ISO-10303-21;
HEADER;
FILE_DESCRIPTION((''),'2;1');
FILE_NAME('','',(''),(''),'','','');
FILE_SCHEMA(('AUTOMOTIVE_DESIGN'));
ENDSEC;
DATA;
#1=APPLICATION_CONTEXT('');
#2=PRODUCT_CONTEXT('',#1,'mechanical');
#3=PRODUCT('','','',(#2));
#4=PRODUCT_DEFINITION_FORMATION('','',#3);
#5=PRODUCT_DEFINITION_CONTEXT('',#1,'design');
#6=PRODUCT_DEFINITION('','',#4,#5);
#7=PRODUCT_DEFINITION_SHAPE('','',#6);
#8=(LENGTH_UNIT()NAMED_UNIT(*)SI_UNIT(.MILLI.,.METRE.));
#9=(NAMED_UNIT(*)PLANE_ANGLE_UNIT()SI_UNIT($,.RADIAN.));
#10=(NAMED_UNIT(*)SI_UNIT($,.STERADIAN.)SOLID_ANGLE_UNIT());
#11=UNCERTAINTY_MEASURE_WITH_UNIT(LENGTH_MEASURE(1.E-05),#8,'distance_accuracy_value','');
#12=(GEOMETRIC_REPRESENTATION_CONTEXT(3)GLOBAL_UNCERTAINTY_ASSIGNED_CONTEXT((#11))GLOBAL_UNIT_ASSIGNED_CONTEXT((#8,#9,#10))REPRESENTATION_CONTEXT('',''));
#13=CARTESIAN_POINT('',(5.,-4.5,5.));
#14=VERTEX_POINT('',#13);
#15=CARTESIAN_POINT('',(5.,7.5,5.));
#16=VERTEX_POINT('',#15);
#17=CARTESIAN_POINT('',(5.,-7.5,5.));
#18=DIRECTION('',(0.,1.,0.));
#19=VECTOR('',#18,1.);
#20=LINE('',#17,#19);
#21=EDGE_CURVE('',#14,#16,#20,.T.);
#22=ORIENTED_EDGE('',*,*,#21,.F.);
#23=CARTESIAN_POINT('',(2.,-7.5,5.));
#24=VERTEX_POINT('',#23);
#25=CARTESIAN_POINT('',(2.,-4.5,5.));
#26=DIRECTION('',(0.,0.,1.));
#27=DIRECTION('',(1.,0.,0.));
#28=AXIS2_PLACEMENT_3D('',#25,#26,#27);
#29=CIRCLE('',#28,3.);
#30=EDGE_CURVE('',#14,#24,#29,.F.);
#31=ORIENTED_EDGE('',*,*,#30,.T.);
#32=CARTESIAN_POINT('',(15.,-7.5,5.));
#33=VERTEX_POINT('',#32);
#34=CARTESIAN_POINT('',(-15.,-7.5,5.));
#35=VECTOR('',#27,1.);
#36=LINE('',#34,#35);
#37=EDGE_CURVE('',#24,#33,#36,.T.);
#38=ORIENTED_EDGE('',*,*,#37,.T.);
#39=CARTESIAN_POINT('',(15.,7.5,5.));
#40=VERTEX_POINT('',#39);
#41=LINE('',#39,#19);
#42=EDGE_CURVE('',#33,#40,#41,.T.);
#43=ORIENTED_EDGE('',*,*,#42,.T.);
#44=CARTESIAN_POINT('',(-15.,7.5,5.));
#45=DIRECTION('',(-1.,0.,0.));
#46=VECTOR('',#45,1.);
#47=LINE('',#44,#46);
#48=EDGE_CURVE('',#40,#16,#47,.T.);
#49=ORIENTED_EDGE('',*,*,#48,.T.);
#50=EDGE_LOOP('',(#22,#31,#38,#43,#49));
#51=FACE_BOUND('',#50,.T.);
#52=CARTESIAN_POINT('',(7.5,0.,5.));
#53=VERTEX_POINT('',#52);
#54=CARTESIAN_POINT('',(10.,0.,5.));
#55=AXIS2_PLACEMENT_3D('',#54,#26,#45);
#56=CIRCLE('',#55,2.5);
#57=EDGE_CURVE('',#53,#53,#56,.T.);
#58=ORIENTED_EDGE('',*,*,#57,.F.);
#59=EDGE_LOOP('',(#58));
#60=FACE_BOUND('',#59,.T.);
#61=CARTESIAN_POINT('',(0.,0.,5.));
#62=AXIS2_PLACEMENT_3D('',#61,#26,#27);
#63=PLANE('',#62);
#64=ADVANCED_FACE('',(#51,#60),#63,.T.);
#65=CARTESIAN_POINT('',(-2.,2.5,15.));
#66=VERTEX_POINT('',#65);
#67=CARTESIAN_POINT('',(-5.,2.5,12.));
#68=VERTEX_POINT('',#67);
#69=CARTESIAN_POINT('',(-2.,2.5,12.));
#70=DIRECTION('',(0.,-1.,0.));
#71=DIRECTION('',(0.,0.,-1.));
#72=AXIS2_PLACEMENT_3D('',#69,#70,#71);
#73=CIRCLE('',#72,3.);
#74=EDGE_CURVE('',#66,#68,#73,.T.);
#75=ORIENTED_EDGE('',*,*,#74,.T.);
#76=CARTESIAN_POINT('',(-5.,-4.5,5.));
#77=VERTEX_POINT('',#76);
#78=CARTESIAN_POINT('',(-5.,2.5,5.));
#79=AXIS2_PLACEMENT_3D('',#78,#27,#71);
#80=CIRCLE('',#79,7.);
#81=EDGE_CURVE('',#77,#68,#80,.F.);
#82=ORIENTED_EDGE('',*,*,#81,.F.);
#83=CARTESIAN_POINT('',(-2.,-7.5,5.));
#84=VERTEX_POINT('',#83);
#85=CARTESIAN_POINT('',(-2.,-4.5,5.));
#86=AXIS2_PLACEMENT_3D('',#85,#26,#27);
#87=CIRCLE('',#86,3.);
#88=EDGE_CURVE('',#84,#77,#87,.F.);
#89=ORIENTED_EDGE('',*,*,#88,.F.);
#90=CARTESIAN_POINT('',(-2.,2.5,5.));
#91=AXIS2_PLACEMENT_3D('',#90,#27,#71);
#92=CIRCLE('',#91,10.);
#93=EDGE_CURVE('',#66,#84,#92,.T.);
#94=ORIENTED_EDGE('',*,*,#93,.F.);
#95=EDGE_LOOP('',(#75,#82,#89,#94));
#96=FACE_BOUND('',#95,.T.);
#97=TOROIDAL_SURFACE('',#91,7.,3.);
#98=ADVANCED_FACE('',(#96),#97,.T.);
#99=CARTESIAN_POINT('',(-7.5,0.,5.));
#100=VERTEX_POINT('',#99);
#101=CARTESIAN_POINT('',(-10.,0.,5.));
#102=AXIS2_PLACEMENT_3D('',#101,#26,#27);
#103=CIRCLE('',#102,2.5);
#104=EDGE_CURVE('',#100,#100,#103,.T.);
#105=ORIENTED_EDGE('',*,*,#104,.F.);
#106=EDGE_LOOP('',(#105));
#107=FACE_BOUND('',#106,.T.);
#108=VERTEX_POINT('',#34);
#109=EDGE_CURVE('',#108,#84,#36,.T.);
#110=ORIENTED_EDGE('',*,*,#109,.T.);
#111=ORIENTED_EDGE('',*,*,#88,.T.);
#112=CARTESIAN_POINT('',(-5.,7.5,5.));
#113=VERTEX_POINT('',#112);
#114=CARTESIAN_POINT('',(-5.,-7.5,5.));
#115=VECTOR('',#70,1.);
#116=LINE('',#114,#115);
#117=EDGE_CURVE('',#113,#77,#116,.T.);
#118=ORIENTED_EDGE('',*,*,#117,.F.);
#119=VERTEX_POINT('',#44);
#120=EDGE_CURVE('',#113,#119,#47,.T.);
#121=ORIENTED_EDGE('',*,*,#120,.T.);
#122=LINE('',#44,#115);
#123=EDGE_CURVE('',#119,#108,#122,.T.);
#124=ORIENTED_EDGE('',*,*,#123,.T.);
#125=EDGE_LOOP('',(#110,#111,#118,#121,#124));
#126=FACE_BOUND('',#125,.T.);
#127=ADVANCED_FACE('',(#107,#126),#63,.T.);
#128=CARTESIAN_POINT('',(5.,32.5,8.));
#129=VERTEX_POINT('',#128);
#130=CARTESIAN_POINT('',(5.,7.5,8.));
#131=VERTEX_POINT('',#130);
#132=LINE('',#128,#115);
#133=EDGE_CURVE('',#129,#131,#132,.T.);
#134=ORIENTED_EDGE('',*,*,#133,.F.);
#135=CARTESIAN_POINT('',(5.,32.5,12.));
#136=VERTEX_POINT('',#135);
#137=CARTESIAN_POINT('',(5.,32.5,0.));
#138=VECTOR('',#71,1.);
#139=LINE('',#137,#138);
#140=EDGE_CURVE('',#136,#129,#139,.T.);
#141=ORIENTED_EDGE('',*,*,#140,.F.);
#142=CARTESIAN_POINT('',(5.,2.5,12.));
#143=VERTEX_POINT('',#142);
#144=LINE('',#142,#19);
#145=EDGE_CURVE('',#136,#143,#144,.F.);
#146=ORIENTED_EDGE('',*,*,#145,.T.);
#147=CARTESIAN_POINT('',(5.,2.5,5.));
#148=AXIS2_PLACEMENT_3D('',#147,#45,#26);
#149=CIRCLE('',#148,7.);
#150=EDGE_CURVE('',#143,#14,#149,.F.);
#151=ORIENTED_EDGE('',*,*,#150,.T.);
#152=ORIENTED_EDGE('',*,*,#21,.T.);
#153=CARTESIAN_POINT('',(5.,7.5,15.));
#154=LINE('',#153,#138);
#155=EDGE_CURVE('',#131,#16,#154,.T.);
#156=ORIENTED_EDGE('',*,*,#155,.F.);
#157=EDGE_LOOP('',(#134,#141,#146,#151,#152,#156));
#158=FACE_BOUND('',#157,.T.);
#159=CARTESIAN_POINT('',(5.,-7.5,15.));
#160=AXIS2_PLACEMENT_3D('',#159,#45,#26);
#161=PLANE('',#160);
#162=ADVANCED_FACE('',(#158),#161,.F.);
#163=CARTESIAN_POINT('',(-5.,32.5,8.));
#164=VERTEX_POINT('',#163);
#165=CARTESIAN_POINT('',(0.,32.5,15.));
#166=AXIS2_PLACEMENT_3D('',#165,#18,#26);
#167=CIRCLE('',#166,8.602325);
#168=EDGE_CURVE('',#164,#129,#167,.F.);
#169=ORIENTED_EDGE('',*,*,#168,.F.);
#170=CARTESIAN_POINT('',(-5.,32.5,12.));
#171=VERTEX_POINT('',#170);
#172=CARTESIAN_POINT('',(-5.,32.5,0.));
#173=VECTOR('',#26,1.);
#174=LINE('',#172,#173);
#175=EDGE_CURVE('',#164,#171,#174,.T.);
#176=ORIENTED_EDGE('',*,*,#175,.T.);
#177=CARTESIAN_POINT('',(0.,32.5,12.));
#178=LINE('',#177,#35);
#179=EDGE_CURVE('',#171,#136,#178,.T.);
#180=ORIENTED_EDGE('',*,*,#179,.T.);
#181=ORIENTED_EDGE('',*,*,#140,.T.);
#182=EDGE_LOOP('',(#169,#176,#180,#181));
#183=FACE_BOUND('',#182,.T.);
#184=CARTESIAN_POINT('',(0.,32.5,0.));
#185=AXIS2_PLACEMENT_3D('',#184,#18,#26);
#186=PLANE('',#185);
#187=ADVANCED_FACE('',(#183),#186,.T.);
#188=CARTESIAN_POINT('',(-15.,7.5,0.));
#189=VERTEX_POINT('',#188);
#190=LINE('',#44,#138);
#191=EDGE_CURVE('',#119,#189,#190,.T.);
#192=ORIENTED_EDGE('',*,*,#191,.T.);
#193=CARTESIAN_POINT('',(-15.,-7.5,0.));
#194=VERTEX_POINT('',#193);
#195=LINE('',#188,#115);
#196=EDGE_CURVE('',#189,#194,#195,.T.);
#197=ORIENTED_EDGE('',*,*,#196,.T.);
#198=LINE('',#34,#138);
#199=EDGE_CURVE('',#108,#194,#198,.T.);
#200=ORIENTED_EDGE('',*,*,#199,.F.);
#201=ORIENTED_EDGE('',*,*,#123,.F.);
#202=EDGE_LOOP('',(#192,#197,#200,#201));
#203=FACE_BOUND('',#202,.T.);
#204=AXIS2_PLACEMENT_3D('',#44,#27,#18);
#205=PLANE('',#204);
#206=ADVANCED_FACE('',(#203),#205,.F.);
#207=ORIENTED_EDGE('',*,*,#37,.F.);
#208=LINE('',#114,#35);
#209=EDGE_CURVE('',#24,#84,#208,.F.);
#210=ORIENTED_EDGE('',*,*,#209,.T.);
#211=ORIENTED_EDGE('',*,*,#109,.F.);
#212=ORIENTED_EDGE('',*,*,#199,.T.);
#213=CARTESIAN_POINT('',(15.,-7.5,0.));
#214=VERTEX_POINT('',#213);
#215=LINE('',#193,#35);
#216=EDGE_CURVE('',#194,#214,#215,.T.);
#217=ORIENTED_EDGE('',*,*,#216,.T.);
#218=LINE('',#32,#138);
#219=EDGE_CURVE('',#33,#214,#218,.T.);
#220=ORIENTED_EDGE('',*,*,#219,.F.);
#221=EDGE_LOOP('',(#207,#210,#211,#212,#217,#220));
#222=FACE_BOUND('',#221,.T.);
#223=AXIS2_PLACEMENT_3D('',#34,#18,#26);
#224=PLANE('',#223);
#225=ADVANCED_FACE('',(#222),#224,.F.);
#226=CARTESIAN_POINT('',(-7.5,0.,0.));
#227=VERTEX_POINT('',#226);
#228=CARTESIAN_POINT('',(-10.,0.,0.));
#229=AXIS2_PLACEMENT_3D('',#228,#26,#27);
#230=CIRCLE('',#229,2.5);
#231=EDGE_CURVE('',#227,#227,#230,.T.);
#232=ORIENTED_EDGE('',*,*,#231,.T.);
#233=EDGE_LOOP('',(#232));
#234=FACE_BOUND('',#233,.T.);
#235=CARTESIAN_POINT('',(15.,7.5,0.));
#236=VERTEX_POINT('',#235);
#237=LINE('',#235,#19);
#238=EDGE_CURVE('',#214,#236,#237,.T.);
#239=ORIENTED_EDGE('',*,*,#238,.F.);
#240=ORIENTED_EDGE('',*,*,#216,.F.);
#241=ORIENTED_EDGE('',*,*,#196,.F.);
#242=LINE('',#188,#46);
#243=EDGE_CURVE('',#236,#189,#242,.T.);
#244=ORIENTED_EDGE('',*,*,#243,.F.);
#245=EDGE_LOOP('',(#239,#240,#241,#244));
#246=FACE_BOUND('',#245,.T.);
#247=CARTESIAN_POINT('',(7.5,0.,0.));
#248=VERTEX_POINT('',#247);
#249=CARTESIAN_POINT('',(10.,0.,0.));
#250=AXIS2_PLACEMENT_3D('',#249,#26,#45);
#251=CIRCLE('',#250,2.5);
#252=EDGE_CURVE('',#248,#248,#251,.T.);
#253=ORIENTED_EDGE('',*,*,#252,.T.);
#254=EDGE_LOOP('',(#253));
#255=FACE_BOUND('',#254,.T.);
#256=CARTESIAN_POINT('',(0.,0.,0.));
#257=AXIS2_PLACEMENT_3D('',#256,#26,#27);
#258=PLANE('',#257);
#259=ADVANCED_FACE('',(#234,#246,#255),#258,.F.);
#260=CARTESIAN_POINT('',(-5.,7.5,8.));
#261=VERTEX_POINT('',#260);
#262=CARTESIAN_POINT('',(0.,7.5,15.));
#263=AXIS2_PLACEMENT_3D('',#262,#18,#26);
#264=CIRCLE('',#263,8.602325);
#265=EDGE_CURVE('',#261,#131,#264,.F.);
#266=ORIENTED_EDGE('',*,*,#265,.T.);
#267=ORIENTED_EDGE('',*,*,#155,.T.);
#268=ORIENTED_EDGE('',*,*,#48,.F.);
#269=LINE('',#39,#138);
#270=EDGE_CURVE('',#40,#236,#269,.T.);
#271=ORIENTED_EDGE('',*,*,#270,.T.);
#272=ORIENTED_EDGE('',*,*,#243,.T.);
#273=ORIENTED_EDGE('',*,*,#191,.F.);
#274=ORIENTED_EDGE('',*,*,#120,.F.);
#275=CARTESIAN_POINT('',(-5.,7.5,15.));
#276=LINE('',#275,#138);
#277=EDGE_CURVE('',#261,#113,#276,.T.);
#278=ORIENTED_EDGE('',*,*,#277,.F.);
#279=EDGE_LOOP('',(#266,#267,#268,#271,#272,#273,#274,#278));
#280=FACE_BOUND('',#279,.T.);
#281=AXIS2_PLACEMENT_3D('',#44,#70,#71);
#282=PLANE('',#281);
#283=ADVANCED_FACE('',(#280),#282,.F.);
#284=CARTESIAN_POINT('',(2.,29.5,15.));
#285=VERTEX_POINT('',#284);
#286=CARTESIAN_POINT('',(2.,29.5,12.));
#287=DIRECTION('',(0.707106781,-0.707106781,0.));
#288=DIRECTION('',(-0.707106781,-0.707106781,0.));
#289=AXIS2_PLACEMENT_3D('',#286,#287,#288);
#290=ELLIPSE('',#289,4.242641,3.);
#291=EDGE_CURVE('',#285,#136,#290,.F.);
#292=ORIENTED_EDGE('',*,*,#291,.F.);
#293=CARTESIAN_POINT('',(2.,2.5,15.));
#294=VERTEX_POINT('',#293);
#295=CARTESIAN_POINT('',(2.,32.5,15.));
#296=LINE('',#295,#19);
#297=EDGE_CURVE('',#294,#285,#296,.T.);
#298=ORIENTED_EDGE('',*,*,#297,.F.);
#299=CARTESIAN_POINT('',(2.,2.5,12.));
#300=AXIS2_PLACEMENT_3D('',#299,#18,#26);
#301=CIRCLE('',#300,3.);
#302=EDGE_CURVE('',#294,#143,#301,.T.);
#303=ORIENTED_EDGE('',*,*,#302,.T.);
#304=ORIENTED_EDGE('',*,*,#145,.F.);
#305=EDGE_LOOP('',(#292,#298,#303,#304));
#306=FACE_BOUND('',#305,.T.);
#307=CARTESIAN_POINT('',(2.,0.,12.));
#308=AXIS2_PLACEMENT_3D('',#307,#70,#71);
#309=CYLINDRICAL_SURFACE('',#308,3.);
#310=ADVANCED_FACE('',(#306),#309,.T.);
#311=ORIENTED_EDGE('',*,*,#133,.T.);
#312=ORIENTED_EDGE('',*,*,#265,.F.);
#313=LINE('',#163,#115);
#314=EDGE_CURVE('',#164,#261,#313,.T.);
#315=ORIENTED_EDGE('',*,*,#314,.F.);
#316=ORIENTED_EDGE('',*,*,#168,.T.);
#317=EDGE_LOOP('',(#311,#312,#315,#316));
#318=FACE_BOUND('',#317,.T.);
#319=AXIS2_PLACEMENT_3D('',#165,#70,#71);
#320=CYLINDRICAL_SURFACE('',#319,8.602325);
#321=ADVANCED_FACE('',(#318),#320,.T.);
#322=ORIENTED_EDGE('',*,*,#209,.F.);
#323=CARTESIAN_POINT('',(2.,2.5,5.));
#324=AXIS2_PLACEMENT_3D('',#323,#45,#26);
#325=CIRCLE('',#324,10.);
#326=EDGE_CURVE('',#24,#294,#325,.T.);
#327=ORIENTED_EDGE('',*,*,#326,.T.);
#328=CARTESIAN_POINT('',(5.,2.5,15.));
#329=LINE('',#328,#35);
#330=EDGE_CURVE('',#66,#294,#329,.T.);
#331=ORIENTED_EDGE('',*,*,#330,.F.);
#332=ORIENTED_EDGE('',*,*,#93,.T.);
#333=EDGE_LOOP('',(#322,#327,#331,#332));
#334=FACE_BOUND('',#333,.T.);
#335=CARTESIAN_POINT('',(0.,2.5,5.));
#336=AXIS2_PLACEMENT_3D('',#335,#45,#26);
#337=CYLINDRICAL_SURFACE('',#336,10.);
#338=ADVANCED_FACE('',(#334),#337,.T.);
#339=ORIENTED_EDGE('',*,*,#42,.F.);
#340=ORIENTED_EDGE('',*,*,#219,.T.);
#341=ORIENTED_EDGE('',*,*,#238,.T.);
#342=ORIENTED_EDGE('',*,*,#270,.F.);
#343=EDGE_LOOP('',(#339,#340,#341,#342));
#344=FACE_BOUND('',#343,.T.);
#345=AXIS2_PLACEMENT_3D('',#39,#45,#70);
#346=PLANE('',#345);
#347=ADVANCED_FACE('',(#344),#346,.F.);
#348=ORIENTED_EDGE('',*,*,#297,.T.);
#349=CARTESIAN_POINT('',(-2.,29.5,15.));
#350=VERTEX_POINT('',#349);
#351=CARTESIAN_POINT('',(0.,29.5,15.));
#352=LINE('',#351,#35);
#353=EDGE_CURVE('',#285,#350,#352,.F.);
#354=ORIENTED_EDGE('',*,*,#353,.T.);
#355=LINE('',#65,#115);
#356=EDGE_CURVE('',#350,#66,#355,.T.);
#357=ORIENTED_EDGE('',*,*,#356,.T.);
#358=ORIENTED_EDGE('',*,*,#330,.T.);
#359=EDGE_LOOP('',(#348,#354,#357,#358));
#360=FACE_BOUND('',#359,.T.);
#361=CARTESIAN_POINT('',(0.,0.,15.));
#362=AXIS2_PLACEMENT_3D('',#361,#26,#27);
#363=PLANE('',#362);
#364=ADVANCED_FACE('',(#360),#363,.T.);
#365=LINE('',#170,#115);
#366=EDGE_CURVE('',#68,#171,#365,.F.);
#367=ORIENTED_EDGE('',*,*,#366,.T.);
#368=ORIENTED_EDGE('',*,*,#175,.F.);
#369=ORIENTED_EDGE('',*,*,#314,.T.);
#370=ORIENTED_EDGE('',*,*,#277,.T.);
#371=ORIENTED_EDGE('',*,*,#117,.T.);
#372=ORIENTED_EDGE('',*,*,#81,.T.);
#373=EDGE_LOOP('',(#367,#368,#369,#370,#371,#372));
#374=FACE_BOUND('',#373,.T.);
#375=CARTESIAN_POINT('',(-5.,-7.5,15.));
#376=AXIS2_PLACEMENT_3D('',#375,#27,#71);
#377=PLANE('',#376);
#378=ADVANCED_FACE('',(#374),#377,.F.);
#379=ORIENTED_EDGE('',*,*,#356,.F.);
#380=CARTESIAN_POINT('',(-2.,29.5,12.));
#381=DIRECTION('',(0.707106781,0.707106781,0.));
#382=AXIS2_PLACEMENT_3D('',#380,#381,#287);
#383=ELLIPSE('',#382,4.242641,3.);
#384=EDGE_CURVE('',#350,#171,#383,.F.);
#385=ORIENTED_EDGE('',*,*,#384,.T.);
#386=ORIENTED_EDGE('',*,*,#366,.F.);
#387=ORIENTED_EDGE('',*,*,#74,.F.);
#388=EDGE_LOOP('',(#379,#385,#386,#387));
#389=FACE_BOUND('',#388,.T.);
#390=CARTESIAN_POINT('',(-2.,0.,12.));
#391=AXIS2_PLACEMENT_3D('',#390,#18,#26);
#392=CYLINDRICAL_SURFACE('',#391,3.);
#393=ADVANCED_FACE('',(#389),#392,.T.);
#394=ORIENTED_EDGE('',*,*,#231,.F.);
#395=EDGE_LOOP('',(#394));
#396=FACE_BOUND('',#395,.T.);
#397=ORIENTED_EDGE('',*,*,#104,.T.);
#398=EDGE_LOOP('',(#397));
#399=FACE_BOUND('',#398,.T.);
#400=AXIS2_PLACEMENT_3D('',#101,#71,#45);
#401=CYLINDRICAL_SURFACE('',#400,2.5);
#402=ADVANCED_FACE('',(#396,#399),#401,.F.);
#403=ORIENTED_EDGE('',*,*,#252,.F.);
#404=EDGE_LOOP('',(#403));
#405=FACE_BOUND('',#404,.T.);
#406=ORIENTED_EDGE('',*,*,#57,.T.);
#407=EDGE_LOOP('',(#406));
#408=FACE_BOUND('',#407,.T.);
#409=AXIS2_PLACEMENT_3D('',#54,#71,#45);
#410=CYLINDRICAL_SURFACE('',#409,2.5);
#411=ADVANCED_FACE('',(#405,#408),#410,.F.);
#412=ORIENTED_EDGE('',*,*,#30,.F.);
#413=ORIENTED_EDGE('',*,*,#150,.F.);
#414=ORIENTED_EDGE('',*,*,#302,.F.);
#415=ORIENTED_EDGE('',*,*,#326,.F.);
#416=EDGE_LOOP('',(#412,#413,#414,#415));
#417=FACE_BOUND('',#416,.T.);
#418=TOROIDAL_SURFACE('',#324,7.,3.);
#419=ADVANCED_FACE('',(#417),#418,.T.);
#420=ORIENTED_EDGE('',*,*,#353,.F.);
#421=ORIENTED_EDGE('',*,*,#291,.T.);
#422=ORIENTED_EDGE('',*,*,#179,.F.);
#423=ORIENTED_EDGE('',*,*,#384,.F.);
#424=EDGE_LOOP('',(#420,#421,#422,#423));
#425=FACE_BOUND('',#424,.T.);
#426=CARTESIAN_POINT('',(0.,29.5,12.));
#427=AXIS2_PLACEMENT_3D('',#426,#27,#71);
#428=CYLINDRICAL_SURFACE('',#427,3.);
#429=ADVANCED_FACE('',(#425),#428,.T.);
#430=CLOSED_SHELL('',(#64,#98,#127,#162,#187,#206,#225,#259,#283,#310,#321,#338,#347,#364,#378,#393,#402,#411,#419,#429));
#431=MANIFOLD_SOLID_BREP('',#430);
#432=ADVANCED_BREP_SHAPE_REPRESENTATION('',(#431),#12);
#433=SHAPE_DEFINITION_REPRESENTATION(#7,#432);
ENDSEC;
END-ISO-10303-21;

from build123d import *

# Parameters (mm, degrees)
ESQUISSE1_W        = 30
ESQUISSE1_H        = 15
ESQUISSE1_R        = 2.5
BOSS_EXTRU_2_DEPTH = 5
ESQUISSE2_W        = 10
ESQUISSE2_H        = 15
BOSS_EXTRU_3_DEPTH = 10
BOSS_EXTRU_5_DEPTH = 25
CONG_1_R           = 10
CONG_2_R           = 3


with BuildPart() as part:
    # Esquisse1 → Boss.-Extru.2 (new body)
    with BuildSketch(Plane.XY):
        Rectangle(ESQUISSE1_W, ESQUISSE1_H)
        with Locations((-10, 0)):
            Circle(ESQUISSE1_R, mode=Mode.SUBTRACT)
        with Locations(Location((10, 0, 0), (0, 0, 180))):
            Circle(ESQUISSE1_R, mode=Mode.SUBTRACT)
    extrude(amount=BOSS_EXTRU_2_DEPTH)

    # Esquisse2 → Boss.-Extru.3 (add)
    with BuildSketch(Plane.XY.offset(5)):
        Rectangle(ESQUISSE2_W, ESQUISSE2_H)
    extrude(amount=BOSS_EXTRU_3_DEPTH)

    # Esquisse3 → Boss.-Extru.5 (add)
    with BuildSketch(Plane(origin=(0, 7.5, 0), x_dir=(1, 0, 0), z_dir=(0, 1, 0))):
        with BuildLine():
            ThreePointArc((5, -8), (0, -6.397674733), (-5, -8))
            Line((-5, -8), (-5, -15))
            Line((-5, -15), (5, -15))
            Line((5, -15), (5, -8))
        make_face()
    extrude(amount=BOSS_EXTRU_5_DEPTH)

    # Congé1
    cong_1_edges = [part.edges().sort_by_distance(p)[0] for p in [
        (0, -7.5, 15),
    ]]
    fillet(cong_1_edges, radius=CONG_1_R)

    # Congé2
    cong_2_edges = [part.edges().sort_by_distance(p)[0] for p in [
        (-5, 17.5, 15),
        (0, 32.5, 15),
        (5, 17.5, 15),
        (5, -4.571067812, 12.071067812),
        (-5, -4.571067812, 12.071067812),
    ]]
    fillet(cong_2_edges, radius=CONG_2_R)


solid = part.part
